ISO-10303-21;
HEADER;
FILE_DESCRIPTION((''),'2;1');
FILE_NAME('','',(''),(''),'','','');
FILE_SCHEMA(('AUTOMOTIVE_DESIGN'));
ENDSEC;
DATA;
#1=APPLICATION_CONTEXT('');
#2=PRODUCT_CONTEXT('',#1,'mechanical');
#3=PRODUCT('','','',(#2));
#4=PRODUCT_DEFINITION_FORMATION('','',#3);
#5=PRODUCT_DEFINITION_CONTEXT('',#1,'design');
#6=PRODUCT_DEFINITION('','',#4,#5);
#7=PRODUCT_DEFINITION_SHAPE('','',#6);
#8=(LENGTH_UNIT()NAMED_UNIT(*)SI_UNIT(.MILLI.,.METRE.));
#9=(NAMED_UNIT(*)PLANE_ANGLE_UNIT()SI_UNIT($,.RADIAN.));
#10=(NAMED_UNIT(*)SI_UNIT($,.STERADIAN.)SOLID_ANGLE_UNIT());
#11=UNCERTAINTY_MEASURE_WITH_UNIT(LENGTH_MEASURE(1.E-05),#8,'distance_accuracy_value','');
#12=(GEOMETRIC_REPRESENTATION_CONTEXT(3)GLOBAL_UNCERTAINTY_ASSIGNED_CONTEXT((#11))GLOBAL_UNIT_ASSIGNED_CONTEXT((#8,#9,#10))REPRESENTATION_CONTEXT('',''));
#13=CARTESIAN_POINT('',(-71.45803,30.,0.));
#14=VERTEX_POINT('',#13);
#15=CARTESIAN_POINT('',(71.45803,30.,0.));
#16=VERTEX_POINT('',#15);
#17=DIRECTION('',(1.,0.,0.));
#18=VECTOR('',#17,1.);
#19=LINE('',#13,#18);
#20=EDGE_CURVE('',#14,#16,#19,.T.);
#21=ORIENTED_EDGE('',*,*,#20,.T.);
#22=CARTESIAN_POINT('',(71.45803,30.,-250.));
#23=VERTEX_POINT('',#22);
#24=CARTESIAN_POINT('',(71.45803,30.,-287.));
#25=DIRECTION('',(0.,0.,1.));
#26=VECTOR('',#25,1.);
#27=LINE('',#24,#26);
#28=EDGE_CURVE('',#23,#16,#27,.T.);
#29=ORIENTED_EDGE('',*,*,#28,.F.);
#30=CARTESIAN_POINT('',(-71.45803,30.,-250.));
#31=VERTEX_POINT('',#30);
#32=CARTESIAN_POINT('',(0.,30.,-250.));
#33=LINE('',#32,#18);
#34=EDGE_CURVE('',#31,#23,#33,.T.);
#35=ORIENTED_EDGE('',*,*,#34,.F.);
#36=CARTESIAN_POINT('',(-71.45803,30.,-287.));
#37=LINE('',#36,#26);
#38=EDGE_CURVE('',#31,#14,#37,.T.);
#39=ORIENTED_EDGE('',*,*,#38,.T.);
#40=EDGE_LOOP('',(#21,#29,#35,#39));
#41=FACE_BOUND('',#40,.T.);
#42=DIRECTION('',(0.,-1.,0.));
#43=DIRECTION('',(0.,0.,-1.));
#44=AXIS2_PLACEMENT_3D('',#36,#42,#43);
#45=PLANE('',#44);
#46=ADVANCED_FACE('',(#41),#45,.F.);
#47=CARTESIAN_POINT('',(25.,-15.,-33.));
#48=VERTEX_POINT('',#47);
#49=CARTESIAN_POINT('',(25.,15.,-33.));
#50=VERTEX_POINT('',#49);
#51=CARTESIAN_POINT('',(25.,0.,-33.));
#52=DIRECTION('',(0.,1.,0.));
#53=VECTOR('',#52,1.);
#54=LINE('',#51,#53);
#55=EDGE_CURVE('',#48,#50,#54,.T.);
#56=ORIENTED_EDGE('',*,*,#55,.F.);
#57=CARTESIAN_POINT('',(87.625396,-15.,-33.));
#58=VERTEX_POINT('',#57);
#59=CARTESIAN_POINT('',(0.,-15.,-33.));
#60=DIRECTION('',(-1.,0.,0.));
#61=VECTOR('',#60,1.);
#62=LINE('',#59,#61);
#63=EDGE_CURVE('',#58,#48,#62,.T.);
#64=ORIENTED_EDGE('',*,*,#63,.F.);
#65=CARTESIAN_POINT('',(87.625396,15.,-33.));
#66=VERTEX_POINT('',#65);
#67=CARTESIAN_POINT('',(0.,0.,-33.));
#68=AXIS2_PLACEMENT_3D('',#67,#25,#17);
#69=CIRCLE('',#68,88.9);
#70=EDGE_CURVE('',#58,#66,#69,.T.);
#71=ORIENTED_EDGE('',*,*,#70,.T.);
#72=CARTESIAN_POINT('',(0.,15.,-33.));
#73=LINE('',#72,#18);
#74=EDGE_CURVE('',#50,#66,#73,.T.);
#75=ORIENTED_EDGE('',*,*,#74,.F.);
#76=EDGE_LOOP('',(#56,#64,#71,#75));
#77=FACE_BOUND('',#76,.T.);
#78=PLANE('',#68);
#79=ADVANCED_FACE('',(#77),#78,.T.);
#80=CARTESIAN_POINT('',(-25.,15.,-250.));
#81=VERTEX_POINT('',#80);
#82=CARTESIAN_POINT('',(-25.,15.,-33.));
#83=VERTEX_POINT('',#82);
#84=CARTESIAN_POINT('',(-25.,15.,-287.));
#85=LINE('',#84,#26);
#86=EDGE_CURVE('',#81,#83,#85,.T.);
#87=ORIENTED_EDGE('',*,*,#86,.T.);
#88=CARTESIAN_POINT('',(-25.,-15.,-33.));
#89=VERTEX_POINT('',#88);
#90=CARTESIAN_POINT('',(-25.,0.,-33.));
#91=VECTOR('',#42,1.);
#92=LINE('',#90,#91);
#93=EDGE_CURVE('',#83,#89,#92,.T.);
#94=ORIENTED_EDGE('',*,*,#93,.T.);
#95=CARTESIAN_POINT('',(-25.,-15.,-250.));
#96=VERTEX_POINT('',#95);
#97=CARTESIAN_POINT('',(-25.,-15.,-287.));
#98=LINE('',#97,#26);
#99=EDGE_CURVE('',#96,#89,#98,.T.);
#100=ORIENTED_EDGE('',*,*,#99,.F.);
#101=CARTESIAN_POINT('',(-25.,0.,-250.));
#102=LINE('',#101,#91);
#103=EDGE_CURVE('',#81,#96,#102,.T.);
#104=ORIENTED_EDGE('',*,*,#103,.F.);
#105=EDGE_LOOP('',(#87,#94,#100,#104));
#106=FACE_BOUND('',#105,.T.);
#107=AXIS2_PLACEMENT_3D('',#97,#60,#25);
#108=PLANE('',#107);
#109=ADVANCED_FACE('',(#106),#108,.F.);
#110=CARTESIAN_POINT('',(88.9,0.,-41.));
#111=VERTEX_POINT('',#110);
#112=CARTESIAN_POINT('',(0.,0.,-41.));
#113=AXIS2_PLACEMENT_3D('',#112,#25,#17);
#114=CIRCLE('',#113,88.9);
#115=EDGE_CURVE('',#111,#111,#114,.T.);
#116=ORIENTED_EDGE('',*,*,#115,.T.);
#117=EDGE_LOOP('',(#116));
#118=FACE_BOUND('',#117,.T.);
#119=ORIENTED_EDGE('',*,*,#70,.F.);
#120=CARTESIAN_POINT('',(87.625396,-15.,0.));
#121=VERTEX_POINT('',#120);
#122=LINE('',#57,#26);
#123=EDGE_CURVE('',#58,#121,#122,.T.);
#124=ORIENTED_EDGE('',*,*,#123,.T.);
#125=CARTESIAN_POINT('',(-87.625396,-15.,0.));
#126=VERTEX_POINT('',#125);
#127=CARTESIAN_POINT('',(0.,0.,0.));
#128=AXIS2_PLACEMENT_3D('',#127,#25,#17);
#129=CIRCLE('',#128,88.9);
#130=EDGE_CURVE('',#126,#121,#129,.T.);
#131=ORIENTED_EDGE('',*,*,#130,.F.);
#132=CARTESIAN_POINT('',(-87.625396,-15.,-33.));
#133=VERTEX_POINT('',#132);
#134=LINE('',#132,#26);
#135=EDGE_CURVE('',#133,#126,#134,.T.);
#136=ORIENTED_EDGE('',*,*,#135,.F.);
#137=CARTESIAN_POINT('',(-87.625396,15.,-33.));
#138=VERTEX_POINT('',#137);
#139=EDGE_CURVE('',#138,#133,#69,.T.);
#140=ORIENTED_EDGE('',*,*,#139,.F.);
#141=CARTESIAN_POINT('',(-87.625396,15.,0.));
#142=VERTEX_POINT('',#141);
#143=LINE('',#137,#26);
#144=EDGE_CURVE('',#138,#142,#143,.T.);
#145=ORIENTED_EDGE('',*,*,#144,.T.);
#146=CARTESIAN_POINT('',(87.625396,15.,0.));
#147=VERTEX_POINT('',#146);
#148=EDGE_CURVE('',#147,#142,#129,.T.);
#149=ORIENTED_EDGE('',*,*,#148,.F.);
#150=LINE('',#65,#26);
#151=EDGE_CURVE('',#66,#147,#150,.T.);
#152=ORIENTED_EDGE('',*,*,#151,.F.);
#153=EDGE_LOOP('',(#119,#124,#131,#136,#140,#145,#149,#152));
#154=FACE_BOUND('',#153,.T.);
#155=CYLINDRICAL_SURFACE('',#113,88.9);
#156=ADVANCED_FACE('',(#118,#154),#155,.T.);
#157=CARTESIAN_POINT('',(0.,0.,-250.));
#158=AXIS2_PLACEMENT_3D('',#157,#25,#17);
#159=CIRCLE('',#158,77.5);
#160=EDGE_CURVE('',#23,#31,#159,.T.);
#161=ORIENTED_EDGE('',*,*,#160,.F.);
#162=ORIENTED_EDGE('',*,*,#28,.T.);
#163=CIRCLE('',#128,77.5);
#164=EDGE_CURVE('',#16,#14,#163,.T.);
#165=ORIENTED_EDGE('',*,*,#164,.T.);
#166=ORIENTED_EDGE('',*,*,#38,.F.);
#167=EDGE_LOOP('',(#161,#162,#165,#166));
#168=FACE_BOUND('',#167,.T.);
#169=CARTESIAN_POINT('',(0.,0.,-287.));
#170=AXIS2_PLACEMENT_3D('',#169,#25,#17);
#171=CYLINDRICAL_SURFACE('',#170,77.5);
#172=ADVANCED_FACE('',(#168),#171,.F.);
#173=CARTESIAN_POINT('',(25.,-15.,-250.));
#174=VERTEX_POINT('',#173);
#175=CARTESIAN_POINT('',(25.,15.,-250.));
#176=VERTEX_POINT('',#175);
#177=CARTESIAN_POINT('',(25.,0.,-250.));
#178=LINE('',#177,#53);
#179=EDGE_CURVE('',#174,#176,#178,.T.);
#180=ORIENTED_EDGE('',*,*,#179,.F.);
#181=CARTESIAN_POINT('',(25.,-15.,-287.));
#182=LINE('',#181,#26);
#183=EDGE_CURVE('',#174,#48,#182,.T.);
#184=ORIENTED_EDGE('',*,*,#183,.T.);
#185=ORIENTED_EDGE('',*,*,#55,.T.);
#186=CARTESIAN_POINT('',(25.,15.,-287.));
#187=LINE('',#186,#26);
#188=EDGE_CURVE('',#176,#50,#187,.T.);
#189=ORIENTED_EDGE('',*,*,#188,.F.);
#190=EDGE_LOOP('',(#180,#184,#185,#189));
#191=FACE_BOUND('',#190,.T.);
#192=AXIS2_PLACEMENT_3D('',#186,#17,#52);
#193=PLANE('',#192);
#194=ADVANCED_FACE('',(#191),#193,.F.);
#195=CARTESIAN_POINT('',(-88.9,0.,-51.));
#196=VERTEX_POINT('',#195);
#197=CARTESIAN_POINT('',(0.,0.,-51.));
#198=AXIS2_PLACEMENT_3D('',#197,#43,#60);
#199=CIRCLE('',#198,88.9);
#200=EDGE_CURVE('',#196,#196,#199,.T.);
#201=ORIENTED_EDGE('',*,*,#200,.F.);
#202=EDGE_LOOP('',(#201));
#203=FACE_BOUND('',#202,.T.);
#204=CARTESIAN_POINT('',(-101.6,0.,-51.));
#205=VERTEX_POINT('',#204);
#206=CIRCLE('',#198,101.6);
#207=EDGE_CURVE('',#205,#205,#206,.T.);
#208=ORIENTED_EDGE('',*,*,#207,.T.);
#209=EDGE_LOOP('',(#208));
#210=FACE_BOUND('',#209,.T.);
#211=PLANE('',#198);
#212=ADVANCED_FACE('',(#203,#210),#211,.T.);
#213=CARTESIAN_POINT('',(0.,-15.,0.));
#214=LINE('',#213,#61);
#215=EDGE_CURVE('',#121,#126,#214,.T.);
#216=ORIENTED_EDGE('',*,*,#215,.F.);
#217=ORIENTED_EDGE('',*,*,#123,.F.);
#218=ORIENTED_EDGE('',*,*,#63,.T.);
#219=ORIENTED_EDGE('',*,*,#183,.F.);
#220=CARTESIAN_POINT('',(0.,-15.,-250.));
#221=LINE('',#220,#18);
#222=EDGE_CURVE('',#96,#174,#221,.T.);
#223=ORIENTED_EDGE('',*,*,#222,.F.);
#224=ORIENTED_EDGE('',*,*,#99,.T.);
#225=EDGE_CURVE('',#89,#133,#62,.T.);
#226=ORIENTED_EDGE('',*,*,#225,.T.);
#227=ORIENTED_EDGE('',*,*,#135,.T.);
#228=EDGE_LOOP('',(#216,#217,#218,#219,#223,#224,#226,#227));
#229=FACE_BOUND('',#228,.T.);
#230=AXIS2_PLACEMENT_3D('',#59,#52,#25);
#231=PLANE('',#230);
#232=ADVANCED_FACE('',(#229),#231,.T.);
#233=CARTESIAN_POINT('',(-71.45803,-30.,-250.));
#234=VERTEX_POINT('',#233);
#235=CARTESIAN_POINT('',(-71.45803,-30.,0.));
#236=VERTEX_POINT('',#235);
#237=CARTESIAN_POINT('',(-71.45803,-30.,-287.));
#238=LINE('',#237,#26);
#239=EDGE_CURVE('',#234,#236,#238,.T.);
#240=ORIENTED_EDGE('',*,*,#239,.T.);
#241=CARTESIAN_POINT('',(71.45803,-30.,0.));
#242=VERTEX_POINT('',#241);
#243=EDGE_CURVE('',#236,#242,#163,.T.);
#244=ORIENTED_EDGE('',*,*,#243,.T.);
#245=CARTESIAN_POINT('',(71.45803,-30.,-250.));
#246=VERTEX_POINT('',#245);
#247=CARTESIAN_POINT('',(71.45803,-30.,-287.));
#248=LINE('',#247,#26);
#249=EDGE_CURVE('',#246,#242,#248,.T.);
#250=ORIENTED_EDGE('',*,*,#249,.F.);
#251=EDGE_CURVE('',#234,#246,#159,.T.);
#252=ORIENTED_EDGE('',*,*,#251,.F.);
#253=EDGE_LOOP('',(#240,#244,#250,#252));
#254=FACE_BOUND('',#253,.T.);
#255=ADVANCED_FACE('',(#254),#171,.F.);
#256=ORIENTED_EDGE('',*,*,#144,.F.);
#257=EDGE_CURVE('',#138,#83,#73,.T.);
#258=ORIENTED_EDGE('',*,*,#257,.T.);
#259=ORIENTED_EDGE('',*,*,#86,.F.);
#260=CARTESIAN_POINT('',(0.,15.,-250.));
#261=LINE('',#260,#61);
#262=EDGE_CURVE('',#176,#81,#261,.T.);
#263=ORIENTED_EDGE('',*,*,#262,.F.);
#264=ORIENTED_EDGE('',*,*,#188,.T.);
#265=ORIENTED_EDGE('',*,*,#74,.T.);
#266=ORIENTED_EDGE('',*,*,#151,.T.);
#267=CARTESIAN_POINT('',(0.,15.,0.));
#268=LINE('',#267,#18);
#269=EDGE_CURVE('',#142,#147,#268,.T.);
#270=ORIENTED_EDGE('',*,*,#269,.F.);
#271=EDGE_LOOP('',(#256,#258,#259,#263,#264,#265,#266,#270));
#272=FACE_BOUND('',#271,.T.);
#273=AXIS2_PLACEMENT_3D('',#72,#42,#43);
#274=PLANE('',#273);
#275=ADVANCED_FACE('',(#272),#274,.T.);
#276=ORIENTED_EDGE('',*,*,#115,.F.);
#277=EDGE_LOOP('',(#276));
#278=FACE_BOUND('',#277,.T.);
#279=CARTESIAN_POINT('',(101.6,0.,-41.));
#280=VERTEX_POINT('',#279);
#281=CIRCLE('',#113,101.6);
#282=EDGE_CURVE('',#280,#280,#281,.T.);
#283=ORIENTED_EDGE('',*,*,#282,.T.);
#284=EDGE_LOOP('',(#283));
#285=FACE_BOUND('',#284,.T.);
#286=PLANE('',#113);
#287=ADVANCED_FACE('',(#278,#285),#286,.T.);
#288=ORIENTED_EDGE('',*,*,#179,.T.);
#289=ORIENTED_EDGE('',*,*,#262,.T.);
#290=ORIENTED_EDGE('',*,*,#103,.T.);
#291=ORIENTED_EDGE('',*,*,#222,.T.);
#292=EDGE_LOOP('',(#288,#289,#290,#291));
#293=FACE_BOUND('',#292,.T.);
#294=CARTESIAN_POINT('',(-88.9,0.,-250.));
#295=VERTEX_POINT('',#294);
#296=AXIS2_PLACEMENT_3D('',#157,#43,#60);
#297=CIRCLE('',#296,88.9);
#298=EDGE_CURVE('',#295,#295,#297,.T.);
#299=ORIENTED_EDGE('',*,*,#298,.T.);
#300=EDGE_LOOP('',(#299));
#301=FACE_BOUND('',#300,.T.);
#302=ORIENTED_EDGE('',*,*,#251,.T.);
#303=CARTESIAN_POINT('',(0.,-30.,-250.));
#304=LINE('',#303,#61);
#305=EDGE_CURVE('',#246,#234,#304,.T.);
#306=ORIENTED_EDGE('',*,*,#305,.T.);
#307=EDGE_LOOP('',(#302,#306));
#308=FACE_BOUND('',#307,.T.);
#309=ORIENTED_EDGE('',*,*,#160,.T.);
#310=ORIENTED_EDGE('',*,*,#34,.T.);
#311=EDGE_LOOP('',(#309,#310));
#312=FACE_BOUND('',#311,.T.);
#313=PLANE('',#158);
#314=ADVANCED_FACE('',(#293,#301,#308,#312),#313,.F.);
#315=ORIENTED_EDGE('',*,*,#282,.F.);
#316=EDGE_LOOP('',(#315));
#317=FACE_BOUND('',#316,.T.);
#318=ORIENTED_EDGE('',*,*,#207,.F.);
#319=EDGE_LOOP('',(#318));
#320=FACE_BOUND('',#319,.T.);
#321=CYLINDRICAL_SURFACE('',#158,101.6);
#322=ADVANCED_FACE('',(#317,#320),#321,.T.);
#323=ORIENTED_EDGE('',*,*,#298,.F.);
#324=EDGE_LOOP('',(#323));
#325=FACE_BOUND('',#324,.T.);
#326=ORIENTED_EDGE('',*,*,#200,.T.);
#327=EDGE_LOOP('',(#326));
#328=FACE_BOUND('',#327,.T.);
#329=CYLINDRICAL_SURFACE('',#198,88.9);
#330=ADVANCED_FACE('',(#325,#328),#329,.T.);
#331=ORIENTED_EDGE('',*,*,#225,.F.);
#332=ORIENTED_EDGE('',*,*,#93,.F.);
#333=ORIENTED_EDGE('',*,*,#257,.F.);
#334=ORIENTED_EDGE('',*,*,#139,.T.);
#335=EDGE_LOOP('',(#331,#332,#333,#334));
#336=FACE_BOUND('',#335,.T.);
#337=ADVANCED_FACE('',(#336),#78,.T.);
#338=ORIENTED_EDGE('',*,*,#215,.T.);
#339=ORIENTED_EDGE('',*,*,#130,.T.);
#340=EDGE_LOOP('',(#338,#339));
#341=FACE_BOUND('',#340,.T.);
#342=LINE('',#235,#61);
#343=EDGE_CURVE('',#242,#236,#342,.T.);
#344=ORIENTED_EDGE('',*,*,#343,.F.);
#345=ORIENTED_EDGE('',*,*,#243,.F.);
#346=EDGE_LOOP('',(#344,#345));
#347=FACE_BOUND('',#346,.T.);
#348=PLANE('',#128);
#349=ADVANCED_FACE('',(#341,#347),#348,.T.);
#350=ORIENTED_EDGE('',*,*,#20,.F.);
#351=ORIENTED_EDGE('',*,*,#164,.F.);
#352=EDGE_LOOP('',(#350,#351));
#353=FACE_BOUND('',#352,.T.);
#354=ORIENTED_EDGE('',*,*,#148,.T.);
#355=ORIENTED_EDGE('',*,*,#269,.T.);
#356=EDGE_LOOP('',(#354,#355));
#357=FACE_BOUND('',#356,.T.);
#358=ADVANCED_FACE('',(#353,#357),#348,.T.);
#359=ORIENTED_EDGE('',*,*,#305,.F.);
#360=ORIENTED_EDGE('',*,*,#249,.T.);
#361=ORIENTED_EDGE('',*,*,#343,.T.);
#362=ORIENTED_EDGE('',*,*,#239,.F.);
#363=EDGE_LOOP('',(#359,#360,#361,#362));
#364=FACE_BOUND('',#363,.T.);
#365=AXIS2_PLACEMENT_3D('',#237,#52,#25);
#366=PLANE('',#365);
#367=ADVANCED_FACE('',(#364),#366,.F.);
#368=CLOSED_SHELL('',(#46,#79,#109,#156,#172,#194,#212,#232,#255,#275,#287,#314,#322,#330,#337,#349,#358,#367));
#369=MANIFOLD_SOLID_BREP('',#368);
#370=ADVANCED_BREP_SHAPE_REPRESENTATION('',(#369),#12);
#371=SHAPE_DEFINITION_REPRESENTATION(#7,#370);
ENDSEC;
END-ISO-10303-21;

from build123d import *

# Parameters (mm, degrees)
SKETCH1_R           = 101.6
BOSS_EXTRUDE1_DEPTH = 250
CUT_EXTRUDE1_DEPTH  = 33
SKETCH4_R           = 101.6
SKETCH4_R_2         = 88.9
CUT_EXTRUDE2_DEPTH  = 41
CUT_EXTRUDE3_START  = -199
SKETCH5_R           = 101.6
SKETCH5_R_2         = 88.9
CUT_EXTRUDE3_DEPTH  = 199
SKETCH6_W           = 50
SKETCH6_H           = 30
CUT_EXTRUDE4_DEPTH  = 287


with BuildPart() as part:
    # Sketch1 → Boss-Extrude1 (new body)
    with BuildSketch(Plane.XY):
        Circle(SKETCH1_R)
    extrude(amount=-BOSS_EXTRUDE1_DEPTH)

    # Sketch2 → Cut-Extrude1 (cut)
    with BuildSketch(Plane.XY):
        with BuildLine():
            Line((87.625395862, 15), (-87.625395862, 15))
            ThreePointArc((-87.625395862, 15), (-88.9, 0), (-87.625395862, -15))
            Line((-87.625395862, -15), (87.625395862, -15))
            ThreePointArc((87.625395862, -15), (88.580775827, -7.527028227), (88.9, 0))
            ThreePointArc((88.9, 0), (88.580775827, 7.527028227), (87.625395862, 15))
        make_face()
    extrude(amount=-CUT_EXTRUDE1_DEPTH, mode=Mode.SUBTRACT)

    # Sketch4 → Cut-Extrude2 (cut)
    with BuildSketch(Plane.XY):
        Circle(SKETCH4_R)
        Circle(SKETCH4_R_2, mode=Mode.SUBTRACT)
    extrude(amount=-CUT_EXTRUDE2_DEPTH, mode=Mode.SUBTRACT)

    # Sketch5 → Cut-Extrude3 (cut)
    with BuildSketch(Plane(origin=(0, 0, -250), x_dir=(-1, 0, 0), z_dir=(0, 0, -1)).offset(CUT_EXTRUDE3_START)):
        with Locations(Location((0, 0, 0), (0, 0, 180))):
            Circle(SKETCH5_R)
        with Locations(Location((0, 0, 0), (0, 0, 180))):
            Circle(SKETCH5_R_2, mode=Mode.SUBTRACT)
    extrude(amount=CUT_EXTRUDE3_DEPTH, mode=Mode.SUBTRACT)

    # Sketch6 → Cut-Extrude4 (cut)
    with BuildSketch(Plane.XY):
        with BuildLine():
            Line((-71.45802964, 30), (71.45802964, 30))
            ThreePointArc((71.45802964, 30), (0, 77.5), (-71.45802964, 30))
        make_face()
        with BuildLine():
            Line((-71.45802964, -30), (71.45802964, -30))
            ThreePointArc((71.45802964, -30), (0, -77.5), (-71.45802964, -30))
        make_face()
        Rectangle(SKETCH6_W, SKETCH6_H)
    extrude(amount=-CUT_EXTRUDE4_DEPTH, mode=Mode.SUBTRACT)


solid = part.part
